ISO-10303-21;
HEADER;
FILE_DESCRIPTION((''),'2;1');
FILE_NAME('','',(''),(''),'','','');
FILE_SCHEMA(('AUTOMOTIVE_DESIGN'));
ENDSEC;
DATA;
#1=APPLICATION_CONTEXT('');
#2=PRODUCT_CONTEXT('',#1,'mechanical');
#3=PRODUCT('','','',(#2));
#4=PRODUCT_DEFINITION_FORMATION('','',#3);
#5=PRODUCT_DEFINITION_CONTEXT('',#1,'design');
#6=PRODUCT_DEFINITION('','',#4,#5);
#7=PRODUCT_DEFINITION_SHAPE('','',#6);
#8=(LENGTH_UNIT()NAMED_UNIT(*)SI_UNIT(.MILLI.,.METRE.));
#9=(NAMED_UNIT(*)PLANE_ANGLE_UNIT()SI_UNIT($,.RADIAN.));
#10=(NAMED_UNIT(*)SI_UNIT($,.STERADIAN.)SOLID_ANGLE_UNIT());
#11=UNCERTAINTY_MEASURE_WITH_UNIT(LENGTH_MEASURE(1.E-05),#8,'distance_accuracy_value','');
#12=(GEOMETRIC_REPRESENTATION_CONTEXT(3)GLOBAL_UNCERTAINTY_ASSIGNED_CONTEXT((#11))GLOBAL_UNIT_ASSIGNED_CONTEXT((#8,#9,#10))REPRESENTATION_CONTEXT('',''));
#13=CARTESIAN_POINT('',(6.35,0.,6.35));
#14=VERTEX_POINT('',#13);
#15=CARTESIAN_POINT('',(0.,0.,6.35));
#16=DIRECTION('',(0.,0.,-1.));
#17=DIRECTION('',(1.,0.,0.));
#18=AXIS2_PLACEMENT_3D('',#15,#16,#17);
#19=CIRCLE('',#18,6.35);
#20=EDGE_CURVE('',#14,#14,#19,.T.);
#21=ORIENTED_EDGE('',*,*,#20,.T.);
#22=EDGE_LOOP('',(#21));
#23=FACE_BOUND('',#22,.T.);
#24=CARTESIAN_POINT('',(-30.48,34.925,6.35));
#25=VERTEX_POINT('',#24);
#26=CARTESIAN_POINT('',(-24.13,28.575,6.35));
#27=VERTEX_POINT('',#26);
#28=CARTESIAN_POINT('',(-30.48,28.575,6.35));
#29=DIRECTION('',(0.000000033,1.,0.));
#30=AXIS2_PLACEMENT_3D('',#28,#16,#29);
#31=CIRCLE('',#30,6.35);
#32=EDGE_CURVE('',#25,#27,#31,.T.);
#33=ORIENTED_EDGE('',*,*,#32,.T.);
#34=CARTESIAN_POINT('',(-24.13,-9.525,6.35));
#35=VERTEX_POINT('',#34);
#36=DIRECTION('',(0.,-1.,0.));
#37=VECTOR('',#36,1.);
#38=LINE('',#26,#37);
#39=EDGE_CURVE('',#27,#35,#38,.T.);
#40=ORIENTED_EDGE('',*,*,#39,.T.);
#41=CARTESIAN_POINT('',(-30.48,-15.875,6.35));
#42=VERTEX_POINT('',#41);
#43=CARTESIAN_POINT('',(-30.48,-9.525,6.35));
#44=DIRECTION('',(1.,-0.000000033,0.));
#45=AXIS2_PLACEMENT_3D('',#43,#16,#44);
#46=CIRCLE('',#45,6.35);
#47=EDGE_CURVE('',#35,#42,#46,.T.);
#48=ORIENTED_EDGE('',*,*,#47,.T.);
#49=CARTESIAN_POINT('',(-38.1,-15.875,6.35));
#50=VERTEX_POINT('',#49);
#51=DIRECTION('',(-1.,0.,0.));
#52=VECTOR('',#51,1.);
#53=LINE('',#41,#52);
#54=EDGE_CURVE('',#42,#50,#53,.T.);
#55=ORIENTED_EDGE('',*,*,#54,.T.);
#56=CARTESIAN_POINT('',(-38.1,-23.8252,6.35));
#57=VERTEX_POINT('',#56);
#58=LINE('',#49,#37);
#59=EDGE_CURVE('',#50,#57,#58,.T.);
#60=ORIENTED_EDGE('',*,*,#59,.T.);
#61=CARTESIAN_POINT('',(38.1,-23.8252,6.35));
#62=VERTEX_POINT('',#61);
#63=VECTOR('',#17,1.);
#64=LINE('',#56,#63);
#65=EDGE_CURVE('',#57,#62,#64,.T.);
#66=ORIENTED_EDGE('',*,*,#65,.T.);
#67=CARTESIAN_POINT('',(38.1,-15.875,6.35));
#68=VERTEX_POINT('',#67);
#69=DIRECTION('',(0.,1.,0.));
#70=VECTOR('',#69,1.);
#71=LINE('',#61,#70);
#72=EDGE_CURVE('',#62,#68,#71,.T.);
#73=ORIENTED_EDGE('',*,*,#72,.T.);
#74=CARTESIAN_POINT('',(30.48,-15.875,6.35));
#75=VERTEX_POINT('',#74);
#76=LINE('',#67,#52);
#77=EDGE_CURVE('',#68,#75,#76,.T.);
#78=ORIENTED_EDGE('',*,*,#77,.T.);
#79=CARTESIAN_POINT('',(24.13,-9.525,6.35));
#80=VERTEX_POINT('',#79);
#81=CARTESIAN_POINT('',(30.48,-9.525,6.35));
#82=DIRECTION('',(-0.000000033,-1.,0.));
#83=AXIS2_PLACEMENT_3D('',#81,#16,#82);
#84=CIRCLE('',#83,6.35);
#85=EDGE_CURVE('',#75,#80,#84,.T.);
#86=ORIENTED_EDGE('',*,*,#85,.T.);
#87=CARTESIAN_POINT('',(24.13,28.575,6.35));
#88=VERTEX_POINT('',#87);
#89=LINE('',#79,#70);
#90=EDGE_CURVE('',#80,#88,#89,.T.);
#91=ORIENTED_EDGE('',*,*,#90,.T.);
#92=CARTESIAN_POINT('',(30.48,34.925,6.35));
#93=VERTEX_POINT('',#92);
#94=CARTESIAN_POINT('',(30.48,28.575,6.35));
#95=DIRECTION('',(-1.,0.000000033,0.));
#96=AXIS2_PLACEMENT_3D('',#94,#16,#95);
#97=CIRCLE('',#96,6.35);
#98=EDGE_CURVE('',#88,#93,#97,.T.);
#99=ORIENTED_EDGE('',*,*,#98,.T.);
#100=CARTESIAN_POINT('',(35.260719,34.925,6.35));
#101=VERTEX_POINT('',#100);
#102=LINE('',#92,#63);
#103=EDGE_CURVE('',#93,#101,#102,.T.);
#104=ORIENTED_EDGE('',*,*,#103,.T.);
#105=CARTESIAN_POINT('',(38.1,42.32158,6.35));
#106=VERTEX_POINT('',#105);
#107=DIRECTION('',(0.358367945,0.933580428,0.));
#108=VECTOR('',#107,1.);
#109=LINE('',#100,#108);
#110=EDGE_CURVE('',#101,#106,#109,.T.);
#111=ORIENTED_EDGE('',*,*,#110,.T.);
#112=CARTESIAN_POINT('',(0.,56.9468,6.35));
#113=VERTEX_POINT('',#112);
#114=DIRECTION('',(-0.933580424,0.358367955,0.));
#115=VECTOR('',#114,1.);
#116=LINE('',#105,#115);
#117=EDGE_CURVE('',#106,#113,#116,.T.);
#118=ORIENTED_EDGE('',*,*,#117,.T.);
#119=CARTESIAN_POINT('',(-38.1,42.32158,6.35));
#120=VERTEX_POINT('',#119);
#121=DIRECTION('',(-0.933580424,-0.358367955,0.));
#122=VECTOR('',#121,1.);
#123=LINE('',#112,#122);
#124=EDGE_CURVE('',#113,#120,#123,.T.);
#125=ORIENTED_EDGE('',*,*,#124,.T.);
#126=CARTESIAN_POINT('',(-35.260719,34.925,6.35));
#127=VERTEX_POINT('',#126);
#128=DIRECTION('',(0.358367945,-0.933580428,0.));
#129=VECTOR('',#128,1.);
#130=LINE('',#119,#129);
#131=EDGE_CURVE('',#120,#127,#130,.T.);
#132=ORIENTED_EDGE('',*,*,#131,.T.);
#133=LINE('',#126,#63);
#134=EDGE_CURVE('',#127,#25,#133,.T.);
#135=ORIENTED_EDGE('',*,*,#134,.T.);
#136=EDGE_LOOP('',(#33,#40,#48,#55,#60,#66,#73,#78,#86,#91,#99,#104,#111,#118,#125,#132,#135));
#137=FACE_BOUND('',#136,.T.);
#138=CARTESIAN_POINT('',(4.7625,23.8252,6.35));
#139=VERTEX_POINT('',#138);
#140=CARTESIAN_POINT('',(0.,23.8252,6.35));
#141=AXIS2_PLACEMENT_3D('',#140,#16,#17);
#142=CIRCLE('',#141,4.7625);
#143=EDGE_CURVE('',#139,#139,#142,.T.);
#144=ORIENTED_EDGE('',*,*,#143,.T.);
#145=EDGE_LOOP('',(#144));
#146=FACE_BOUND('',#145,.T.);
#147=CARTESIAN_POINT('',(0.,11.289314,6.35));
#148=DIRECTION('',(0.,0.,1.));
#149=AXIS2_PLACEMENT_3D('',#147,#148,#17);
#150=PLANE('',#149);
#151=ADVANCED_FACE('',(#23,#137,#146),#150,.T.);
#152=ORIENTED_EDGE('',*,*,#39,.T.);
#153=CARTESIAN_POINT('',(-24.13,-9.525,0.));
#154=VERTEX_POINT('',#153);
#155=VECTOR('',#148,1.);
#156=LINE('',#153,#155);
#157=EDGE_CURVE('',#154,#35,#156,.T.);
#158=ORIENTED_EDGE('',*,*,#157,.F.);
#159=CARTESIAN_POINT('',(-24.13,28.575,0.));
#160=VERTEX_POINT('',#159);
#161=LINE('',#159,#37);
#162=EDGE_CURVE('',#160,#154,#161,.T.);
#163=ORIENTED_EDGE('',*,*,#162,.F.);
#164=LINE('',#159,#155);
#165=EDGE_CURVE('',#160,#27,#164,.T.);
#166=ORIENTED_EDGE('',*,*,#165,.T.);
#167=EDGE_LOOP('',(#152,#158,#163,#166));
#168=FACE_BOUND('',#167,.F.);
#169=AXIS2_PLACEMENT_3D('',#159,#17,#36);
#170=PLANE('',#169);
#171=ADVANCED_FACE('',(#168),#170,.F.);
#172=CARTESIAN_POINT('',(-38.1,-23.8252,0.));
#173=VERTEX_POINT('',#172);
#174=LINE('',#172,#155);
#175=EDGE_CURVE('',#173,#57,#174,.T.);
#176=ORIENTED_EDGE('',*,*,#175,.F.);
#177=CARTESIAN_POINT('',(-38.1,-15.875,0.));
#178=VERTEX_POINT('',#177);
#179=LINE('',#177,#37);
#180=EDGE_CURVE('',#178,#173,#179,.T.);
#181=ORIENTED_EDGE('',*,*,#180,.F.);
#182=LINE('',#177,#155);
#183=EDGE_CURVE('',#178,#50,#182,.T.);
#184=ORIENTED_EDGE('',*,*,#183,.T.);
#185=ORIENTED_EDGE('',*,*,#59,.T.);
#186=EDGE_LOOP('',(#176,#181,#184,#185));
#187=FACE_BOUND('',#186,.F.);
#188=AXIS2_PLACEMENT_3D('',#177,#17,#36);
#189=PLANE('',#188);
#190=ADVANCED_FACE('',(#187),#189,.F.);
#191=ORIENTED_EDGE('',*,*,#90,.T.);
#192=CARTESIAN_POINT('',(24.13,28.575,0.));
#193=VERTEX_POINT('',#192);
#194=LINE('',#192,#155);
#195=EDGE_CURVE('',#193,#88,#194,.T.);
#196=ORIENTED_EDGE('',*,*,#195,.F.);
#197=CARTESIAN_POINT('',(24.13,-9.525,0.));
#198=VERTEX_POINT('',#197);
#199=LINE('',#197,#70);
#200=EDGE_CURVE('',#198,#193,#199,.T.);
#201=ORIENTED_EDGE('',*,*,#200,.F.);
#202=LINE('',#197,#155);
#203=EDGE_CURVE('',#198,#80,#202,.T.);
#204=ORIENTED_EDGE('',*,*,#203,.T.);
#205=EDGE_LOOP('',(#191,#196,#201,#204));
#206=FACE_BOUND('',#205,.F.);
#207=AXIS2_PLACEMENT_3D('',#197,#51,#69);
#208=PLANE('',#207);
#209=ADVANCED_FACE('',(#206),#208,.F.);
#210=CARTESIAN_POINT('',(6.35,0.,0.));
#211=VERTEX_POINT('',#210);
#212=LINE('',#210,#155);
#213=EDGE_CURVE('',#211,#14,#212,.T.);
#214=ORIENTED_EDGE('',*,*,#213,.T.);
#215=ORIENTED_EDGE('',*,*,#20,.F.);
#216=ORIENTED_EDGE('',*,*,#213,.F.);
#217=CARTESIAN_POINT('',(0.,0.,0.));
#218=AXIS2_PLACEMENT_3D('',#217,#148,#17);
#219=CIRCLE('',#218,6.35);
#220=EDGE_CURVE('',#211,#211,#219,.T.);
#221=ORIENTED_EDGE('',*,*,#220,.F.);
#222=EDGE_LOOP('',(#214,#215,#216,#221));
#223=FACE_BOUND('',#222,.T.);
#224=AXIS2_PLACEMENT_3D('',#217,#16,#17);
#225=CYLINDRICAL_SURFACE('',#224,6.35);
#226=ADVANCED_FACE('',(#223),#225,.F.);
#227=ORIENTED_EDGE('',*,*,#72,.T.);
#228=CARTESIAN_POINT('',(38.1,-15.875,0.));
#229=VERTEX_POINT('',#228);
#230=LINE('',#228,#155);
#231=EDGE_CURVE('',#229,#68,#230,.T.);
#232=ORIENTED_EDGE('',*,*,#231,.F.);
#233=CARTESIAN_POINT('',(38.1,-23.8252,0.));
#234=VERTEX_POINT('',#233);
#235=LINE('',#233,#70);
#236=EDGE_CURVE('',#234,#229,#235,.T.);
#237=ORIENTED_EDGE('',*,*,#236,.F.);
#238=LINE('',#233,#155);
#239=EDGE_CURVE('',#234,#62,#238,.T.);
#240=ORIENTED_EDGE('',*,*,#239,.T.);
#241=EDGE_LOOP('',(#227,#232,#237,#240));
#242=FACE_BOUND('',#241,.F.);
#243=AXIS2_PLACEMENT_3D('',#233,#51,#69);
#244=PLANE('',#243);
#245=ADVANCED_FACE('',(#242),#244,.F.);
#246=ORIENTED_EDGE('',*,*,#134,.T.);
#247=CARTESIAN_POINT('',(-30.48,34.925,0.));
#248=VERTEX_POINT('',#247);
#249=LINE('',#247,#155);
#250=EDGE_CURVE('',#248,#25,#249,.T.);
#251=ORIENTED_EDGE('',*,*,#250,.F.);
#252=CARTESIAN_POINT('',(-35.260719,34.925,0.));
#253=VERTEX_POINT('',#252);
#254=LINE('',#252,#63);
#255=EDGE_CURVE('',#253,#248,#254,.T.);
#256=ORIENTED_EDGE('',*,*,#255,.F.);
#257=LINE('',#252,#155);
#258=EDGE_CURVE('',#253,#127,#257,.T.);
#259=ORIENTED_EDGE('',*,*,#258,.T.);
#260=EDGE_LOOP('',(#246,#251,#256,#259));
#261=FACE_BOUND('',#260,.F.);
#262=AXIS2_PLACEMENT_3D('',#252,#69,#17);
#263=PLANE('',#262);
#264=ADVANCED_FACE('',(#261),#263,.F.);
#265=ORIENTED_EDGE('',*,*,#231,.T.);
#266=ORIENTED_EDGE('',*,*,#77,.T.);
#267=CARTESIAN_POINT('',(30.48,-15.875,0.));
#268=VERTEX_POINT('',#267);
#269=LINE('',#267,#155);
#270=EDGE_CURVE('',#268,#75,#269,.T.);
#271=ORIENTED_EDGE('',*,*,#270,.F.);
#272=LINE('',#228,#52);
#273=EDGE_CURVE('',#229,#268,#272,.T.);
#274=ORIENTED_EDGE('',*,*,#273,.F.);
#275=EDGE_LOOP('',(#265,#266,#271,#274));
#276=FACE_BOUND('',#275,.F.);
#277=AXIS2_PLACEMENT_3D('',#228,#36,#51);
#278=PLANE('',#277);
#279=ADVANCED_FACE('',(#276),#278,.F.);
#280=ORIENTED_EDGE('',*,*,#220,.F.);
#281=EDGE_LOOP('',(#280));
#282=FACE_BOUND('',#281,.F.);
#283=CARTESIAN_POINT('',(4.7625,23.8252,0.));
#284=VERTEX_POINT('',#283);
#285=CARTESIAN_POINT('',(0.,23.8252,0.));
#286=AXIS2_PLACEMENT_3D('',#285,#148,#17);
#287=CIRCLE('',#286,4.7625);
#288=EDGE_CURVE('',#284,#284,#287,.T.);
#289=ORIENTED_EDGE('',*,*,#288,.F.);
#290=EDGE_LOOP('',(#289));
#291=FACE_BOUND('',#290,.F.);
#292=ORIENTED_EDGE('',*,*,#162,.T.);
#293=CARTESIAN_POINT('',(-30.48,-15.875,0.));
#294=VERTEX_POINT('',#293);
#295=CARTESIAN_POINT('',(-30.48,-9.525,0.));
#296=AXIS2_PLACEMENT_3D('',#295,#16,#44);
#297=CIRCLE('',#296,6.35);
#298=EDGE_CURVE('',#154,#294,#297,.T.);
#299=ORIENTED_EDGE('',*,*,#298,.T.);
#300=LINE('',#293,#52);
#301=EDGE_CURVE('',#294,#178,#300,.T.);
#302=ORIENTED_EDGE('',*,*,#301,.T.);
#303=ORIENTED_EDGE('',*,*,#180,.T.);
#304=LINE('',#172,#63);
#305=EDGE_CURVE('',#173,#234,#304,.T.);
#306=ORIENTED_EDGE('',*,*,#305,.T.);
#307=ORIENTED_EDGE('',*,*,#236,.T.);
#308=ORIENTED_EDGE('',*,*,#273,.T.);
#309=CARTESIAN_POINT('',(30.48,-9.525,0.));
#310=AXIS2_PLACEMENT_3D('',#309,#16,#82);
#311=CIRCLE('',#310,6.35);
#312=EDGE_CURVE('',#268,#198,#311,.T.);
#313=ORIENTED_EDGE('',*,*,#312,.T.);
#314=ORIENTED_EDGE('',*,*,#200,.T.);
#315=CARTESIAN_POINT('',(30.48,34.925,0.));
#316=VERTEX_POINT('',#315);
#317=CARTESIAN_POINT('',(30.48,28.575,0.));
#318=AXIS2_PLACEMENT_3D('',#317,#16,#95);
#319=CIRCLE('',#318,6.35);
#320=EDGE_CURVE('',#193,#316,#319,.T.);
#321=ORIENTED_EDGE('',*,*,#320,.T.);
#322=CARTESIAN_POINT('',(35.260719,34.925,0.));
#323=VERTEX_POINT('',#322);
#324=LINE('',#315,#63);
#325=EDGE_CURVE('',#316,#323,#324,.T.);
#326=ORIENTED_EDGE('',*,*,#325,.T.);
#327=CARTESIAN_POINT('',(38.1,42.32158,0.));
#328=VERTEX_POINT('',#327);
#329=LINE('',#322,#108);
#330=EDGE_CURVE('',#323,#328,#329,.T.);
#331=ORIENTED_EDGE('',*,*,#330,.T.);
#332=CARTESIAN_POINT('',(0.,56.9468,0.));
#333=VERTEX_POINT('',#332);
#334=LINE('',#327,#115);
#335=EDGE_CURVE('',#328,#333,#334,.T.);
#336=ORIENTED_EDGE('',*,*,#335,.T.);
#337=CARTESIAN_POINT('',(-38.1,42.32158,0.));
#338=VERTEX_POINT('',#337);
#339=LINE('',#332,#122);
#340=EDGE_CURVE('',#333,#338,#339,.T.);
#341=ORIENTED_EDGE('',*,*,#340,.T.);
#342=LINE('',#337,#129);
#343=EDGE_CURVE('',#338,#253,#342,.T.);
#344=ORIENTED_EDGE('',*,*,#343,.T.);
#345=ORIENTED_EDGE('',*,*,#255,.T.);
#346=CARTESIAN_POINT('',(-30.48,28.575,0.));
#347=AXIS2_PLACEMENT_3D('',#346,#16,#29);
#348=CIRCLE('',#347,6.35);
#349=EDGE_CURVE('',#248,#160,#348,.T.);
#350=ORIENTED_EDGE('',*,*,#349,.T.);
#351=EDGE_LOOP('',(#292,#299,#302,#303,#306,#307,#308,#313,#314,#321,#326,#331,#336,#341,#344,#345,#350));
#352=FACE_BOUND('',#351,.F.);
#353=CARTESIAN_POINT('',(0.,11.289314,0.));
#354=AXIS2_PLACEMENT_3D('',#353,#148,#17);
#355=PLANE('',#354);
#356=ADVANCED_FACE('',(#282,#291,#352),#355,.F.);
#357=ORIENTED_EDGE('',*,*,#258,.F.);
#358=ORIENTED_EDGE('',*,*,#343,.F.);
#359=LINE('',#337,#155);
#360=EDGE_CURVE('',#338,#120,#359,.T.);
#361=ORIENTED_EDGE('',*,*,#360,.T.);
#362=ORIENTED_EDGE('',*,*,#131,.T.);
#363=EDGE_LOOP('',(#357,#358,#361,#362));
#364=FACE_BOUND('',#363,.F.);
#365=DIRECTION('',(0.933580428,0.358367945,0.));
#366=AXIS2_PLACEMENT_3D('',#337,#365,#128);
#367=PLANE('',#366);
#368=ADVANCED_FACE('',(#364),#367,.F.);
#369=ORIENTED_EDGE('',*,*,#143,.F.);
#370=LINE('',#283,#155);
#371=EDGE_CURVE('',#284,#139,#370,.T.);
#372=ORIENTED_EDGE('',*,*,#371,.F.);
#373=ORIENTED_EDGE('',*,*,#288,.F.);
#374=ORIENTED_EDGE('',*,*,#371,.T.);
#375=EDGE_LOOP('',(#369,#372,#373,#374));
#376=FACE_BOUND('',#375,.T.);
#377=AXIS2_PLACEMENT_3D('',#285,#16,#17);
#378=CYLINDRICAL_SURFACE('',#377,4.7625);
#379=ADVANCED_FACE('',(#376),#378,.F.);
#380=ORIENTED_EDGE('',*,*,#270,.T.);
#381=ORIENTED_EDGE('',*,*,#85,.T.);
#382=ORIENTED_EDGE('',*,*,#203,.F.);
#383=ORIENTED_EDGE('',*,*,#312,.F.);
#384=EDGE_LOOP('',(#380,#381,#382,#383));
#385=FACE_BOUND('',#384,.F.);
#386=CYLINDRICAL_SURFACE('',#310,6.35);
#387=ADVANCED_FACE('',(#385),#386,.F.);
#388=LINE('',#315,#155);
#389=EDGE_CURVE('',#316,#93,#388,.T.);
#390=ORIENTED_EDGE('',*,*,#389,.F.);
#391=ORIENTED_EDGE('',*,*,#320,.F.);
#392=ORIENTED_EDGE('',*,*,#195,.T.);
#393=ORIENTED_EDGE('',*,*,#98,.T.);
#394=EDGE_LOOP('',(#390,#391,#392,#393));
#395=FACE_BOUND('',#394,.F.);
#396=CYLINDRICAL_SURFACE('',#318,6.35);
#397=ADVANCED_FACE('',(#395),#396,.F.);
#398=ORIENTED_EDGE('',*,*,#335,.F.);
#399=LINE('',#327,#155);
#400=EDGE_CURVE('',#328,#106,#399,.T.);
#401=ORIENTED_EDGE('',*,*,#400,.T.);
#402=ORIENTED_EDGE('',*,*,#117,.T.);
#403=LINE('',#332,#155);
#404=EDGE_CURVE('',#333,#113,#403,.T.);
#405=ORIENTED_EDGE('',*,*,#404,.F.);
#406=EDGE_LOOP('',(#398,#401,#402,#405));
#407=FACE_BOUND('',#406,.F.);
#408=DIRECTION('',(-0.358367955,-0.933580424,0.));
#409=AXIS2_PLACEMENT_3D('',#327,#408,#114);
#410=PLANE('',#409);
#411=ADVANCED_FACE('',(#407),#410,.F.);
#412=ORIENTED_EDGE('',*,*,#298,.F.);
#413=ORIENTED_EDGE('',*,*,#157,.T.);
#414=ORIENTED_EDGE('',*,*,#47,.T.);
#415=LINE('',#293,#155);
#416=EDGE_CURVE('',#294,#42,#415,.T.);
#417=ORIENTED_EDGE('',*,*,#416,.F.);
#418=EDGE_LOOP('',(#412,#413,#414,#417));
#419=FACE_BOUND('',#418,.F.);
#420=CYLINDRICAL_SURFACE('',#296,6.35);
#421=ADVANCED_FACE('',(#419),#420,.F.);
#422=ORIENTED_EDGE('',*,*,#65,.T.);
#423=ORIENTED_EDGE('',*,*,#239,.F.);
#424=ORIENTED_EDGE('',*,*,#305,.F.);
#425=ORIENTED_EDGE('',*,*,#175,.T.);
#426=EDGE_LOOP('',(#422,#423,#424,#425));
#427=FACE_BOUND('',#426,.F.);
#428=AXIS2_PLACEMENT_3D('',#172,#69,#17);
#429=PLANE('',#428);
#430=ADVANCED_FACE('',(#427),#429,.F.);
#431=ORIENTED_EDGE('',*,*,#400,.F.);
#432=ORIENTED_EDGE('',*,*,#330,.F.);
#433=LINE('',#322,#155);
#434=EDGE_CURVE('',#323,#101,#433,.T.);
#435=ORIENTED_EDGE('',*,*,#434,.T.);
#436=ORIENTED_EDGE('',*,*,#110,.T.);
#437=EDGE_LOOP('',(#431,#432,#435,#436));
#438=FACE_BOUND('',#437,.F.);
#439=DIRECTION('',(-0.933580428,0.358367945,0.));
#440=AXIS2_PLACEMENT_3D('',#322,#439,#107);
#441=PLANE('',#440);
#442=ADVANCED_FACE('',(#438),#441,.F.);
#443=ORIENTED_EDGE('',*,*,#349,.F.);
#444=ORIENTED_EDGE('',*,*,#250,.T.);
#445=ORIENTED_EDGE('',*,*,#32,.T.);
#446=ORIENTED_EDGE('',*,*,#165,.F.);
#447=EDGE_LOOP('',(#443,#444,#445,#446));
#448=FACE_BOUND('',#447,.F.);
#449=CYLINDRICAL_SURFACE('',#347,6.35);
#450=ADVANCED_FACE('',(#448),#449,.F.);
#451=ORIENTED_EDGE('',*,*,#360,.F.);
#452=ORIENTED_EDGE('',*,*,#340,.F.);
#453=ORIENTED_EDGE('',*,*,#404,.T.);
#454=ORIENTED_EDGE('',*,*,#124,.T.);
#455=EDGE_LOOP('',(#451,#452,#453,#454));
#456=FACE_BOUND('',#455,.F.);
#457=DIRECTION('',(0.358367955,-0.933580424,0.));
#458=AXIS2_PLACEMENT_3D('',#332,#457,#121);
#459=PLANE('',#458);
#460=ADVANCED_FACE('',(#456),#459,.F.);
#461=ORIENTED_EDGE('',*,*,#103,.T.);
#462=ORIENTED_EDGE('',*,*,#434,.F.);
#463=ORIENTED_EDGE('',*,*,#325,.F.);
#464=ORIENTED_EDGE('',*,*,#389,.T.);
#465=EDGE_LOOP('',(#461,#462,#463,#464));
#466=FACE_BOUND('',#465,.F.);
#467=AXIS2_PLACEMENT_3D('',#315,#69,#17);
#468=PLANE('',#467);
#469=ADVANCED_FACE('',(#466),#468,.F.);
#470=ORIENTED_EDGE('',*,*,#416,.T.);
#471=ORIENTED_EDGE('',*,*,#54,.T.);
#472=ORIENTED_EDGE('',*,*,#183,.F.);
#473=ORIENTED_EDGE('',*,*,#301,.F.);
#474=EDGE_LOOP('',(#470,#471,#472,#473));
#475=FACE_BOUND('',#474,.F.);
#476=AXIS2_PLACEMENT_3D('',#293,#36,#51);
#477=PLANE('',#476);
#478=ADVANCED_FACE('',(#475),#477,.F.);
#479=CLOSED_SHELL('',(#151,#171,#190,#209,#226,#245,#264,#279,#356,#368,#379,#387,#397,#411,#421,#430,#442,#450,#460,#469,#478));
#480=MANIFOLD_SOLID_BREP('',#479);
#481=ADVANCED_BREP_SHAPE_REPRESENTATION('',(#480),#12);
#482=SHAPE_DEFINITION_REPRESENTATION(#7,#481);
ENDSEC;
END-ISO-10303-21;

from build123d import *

# Parameters (mm, degrees)
F1_DEPTH = 6.35
F2_R     = 6.35
F2_R_2   = 4.7625
F3_DEPTH = 6.351


with BuildPart() as f1:
    # F0 (on Top) → F1 (new body)
    with BuildSketch(Plane.XY):
        with BuildLine():
            Line((-38.1, -15.875), (-38.1, -23.8252))
            Line((-38.1, -23.8252), (38.1, -23.8252))
            Line((38.1, -23.8252), (38.1, -15.875))
            Line((38.1, -15.875), (30.48, -15.875))
            ThreePointArc((30.48, -15.875), (25.989872, -14.015128), (24.13, -9.525))
            Line((24.13, -9.525), (24.13, 28.575))
            ThreePointArc((24.13, 28.575), (25.989872, 33.065128), (30.48, 34.925))
            Line((30.48, 34.925), (35.260719, 34.925))
            Line((35.260719, 34.925), (38.1, 42.32158))
            Line((38.1, 42.32158), (0, 56.9468))
            Line((0, 56.9468), (-38.1, 42.32158))
            Line((-38.1, 42.32158), (-35.260719, 34.925))
            Line((-35.260719, 34.925), (-30.48, 34.925))
            ThreePointArc((-30.48, 34.925), (-25.989872, 33.065128), (-24.13, 28.575))
            Line((-24.13, 28.575), (-24.13, -9.525))
            ThreePointArc((-24.13, -9.525), (-25.989872, -14.015128), (-30.48, -15.875))
            Line((-30.48, -15.875), (-38.1, -15.875))
        make_face()
    extrude(amount=F1_DEPTH)

    # F2 (on Top) → F3 (cut, through all)
    with BuildSketch(Plane.XY):
        Circle(F2_R)
        with Locations((0, 23.8252)):
            Circle(F2_R_2)
    extrude(amount=F3_DEPTH, mode=Mode.SUBTRACT)


solid = f1.part
